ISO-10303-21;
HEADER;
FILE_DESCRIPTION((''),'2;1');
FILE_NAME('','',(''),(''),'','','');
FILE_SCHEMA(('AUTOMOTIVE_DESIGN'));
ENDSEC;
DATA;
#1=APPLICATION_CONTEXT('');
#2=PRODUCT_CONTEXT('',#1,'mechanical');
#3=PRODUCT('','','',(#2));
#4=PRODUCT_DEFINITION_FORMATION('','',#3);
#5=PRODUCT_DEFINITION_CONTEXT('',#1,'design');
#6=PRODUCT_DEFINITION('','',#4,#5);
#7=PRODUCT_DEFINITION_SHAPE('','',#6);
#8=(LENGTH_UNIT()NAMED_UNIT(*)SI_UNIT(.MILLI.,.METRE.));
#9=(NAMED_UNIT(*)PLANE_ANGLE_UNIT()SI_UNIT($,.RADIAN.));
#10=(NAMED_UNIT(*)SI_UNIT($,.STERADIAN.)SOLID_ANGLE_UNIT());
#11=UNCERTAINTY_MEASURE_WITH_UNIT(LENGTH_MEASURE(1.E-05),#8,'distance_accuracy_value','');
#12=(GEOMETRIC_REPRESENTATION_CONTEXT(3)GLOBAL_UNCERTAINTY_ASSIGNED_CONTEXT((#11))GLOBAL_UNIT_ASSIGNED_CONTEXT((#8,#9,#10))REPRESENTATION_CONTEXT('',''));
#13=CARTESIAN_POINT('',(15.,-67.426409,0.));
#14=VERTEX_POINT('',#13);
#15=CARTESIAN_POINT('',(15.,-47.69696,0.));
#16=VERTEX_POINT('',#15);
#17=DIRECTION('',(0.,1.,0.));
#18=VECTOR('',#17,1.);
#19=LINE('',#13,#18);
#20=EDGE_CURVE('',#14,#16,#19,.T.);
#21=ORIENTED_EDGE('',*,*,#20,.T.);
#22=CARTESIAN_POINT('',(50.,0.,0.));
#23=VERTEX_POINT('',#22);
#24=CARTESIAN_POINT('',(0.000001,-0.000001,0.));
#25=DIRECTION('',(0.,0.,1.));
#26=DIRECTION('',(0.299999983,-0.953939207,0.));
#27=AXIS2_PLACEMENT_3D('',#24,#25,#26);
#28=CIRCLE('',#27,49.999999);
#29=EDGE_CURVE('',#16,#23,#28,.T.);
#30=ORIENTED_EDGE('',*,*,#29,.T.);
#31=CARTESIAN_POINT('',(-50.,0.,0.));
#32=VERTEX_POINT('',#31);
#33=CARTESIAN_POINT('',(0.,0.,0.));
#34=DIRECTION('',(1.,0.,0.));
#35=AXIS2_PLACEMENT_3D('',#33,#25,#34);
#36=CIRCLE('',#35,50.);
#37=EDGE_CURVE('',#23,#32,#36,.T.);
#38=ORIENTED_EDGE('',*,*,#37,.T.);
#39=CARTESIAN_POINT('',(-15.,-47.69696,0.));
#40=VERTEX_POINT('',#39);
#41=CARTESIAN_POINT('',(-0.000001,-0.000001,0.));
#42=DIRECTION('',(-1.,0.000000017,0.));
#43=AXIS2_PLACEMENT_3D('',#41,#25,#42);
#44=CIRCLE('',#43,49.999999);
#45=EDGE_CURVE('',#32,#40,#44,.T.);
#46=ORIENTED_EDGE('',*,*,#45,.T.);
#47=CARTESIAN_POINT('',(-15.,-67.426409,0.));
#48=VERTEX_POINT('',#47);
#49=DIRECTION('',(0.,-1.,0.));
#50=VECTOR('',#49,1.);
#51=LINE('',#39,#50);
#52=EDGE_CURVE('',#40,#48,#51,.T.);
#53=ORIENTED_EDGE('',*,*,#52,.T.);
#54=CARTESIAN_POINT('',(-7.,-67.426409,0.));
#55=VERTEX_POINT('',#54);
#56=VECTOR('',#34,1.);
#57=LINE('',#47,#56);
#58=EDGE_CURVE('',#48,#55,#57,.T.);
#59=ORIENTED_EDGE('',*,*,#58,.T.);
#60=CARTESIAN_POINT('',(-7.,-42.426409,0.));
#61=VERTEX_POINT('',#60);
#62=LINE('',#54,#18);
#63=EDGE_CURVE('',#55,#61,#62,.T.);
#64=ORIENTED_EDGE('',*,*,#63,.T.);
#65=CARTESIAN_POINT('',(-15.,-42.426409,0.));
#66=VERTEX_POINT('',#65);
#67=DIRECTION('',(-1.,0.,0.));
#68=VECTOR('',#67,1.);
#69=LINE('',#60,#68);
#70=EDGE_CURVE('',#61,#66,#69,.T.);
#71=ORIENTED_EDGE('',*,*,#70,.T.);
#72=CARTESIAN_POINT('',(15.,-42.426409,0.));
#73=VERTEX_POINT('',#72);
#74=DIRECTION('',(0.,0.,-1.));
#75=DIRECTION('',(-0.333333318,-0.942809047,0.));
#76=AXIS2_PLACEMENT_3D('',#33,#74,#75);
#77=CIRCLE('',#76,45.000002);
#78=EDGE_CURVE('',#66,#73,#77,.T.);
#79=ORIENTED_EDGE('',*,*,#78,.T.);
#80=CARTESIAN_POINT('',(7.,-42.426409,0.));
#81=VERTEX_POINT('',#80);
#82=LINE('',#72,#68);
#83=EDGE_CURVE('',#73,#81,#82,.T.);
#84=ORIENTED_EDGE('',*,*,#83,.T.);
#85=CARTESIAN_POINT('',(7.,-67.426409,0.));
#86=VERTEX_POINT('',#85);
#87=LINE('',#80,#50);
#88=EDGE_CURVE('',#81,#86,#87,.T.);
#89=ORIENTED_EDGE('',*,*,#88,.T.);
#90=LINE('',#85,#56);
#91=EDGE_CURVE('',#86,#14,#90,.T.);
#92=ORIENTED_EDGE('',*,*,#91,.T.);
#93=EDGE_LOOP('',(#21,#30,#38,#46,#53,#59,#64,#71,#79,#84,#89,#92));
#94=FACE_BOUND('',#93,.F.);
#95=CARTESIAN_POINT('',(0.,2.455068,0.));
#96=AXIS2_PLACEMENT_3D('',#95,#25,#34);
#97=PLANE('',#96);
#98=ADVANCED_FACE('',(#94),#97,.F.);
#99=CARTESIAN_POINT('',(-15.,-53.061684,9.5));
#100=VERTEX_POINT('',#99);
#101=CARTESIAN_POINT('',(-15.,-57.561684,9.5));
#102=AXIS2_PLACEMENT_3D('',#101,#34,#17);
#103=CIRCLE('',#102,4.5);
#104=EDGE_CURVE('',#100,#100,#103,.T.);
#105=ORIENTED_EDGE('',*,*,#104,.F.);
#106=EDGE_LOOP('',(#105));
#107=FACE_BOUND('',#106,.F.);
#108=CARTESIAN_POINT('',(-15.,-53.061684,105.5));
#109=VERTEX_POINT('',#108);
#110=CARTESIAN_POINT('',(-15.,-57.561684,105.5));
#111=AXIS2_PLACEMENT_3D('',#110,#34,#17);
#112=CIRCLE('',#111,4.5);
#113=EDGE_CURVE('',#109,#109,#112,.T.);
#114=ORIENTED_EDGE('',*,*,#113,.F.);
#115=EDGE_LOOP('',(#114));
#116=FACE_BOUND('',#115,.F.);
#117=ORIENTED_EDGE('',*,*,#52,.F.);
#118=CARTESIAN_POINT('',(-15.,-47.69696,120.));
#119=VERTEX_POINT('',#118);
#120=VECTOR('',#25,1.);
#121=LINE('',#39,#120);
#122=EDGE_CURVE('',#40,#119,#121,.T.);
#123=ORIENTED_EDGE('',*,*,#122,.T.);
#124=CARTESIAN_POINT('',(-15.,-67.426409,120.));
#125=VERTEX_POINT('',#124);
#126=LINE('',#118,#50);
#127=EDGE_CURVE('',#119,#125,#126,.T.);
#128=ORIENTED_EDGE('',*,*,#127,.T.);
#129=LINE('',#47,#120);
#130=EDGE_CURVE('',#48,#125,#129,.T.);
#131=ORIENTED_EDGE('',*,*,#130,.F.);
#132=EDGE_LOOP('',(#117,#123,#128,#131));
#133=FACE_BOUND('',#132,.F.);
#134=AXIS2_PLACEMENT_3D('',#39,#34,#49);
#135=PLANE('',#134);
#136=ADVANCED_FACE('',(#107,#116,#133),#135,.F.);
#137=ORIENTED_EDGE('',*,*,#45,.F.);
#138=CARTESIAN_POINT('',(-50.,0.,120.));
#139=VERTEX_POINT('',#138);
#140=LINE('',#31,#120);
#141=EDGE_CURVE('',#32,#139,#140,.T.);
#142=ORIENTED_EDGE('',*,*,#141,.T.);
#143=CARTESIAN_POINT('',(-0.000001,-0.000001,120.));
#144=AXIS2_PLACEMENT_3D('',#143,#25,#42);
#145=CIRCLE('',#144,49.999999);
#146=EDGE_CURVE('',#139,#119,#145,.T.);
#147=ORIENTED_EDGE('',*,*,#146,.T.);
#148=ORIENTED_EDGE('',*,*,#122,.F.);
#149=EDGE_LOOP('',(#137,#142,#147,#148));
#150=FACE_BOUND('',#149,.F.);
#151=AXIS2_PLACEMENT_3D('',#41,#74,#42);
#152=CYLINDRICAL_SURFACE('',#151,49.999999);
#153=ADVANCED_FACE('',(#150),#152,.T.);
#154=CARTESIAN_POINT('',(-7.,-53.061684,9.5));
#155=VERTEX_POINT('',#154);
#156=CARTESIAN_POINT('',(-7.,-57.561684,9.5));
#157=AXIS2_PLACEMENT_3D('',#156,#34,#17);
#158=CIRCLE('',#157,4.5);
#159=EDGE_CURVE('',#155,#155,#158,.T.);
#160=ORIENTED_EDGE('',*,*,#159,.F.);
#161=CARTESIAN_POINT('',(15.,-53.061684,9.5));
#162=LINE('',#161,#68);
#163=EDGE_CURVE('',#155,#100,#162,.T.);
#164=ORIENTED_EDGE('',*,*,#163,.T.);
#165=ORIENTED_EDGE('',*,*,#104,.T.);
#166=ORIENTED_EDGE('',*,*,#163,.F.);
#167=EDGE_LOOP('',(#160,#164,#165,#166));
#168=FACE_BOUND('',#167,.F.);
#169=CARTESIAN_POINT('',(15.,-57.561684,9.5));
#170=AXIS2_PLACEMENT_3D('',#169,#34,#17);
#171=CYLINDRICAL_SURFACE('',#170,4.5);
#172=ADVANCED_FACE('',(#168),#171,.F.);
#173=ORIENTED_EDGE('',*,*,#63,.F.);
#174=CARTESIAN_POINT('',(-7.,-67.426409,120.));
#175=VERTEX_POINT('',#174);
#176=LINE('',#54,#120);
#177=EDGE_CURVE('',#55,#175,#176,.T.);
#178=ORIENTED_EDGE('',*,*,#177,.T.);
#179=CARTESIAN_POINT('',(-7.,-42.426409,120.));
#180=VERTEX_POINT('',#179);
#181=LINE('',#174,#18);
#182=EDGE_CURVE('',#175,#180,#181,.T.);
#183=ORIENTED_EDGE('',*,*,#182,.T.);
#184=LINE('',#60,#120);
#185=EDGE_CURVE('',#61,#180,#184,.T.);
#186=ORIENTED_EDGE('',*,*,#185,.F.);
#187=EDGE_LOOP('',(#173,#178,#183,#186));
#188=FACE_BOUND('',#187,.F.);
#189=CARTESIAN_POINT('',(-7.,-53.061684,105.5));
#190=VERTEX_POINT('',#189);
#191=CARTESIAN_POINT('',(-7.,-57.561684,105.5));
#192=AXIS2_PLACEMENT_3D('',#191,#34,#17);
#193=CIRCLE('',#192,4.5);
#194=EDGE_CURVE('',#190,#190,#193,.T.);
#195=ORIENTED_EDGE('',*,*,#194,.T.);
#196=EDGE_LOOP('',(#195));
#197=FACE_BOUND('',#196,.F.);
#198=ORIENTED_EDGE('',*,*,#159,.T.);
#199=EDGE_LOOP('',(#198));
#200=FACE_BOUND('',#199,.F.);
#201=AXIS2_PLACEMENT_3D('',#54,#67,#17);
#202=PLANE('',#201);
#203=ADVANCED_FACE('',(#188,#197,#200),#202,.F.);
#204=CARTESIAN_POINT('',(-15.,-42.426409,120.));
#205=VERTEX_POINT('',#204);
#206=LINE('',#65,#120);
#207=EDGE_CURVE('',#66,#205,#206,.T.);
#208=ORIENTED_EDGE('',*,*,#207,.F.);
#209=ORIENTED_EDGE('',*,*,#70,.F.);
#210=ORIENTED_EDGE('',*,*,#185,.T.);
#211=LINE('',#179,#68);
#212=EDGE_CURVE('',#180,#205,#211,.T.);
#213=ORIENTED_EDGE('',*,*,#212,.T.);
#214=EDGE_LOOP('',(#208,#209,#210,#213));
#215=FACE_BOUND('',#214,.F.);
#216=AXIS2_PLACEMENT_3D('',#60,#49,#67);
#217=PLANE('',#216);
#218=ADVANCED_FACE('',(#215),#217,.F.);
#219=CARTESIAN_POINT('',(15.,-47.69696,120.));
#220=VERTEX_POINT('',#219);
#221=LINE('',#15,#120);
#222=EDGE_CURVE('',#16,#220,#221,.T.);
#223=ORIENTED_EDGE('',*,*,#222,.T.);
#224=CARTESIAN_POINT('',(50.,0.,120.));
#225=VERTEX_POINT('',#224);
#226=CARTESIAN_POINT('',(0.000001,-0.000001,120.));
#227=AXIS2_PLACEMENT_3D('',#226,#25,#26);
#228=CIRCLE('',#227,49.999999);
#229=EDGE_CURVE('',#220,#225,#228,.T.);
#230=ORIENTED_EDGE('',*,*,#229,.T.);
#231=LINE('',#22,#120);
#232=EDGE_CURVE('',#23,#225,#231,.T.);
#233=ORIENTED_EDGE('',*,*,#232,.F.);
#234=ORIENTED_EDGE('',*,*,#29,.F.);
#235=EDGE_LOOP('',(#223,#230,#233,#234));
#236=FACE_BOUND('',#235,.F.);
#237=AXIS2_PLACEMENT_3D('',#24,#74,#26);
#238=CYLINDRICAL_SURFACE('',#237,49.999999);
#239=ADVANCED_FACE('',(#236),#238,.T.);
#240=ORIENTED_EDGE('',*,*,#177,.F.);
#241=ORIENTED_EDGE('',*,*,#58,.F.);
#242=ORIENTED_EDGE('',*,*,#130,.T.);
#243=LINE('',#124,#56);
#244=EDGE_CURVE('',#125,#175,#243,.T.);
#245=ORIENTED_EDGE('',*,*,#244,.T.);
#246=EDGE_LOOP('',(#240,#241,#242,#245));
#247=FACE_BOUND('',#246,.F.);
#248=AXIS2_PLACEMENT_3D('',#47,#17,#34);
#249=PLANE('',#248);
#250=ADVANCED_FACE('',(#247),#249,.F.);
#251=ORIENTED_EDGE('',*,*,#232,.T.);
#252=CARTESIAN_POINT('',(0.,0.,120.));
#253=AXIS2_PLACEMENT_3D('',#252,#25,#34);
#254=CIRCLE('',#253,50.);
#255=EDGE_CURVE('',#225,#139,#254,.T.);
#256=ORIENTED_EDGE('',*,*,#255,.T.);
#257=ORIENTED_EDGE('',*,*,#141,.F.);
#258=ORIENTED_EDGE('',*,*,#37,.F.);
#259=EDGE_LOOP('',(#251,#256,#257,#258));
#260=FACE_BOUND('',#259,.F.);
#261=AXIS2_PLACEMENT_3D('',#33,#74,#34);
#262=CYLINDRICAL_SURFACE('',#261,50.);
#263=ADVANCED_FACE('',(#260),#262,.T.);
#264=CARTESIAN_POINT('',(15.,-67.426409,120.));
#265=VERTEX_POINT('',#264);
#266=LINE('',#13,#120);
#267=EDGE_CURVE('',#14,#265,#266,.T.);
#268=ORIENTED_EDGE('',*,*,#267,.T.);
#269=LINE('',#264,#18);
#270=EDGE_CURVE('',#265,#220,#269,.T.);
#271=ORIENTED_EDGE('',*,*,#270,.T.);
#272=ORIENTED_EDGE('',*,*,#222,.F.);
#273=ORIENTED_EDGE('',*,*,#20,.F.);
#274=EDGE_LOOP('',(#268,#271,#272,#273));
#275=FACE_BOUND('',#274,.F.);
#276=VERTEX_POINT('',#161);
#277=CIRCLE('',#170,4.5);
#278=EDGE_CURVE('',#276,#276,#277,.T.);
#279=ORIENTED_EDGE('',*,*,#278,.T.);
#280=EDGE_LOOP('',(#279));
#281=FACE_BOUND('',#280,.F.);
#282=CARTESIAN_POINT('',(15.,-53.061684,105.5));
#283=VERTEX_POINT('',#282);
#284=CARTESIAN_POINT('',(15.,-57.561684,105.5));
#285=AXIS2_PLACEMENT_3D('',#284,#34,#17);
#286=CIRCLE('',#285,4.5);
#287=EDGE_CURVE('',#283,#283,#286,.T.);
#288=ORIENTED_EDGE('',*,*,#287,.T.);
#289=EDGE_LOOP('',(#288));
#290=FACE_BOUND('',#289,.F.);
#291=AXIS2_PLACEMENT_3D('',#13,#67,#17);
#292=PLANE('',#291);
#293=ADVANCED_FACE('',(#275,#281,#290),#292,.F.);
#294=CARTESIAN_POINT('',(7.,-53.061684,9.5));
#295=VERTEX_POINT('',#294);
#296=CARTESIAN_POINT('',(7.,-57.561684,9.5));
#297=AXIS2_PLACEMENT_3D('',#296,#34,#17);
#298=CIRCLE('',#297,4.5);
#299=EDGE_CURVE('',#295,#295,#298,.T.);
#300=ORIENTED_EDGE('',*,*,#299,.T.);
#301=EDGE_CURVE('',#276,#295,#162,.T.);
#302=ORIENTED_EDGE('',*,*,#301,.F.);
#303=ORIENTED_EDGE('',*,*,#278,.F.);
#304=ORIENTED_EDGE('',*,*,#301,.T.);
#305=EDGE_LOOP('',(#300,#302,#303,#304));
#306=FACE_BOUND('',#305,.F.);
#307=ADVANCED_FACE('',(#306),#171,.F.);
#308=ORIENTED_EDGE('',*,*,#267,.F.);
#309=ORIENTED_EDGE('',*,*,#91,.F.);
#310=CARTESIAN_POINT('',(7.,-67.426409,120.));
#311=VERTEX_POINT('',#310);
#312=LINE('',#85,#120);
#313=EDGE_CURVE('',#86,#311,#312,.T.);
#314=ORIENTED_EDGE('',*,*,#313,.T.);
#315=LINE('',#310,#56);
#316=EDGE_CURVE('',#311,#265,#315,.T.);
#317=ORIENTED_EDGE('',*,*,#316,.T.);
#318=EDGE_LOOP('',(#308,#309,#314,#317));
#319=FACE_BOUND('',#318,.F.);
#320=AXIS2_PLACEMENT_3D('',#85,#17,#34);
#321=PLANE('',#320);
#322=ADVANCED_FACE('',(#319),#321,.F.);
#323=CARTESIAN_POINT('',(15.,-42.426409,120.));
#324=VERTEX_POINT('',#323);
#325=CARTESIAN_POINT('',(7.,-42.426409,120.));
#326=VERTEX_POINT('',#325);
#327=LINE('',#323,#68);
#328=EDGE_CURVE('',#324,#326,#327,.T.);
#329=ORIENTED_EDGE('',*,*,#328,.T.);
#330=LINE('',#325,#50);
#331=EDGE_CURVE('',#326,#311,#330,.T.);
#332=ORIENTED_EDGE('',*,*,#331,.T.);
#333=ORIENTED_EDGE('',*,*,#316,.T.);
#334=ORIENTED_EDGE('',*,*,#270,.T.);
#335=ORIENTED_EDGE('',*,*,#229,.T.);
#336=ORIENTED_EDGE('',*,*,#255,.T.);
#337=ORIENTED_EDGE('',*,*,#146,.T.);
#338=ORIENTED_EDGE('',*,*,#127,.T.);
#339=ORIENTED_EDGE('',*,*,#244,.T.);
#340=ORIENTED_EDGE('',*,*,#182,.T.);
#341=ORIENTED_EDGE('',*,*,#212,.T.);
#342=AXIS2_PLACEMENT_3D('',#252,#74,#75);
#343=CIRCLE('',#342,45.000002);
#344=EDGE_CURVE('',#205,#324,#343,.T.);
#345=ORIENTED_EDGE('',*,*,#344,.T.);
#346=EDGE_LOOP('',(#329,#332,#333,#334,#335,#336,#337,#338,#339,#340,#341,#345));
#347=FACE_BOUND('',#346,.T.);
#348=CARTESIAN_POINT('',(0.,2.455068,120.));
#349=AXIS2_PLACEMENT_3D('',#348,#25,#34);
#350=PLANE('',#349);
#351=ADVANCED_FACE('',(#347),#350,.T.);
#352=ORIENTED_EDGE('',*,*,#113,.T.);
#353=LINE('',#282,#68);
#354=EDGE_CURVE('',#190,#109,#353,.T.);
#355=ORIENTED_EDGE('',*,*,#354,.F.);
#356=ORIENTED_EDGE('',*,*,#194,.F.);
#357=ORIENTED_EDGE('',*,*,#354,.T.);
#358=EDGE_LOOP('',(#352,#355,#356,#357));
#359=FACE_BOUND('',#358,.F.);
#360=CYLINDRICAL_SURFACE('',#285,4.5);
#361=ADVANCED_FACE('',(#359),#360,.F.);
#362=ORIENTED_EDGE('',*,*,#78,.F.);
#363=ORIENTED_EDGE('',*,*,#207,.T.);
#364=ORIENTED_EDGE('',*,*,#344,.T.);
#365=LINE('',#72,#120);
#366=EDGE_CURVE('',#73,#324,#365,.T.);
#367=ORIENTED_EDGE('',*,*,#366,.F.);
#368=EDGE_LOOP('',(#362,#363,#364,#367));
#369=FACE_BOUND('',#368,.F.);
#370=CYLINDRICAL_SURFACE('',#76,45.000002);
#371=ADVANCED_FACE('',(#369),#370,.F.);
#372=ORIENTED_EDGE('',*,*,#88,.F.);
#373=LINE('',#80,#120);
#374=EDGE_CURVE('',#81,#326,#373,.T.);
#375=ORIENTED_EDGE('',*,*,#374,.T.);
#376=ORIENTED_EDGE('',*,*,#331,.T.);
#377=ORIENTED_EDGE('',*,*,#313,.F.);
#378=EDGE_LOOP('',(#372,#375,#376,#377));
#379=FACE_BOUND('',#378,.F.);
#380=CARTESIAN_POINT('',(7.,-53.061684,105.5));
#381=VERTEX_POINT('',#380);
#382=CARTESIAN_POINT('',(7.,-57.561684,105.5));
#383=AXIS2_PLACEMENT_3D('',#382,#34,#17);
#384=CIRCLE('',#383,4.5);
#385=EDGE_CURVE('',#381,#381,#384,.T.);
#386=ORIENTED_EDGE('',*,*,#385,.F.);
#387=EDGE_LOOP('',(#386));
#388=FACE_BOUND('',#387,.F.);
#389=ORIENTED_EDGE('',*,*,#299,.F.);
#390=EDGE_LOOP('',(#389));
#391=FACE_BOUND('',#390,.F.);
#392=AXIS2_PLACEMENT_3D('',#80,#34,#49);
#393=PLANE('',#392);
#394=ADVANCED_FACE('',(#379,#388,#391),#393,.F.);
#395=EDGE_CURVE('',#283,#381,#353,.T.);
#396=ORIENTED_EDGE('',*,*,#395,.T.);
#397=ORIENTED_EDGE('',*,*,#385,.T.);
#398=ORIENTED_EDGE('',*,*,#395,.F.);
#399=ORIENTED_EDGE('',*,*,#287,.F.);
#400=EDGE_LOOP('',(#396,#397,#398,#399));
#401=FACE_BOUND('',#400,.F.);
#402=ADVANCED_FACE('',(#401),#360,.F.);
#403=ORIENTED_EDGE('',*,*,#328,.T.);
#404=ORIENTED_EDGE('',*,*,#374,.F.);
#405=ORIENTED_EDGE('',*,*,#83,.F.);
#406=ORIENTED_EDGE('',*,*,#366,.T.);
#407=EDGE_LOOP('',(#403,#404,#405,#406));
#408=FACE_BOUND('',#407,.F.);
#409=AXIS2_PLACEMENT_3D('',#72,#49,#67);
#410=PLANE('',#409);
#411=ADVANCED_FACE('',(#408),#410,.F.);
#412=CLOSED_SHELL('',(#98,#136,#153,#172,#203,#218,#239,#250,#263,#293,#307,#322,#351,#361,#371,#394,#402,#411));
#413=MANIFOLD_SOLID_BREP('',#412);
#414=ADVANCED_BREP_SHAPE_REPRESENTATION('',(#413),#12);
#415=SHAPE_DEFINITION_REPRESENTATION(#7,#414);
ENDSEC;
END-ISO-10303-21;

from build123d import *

# Parameters (mm, degrees)
F1_DEPTH = 120
F2_R     = 4.5
F3_DEPTH = 50


with BuildPart() as f1:
    # F0 (on Top) → F1 (new body)
    with BuildSketch(Plane.XY):
        with BuildLine():
            ThreePointArc((-15, -42.426409), (0, 45.000002), (15, -42.426409))
            Line((15, -42.426409), (15, -47.69696))
            ThreePointArc((15, -47.69696), (40.311289, -29.580399), (50, 0))
            ThreePointArc((50, 0), (0, 50), (-50, 0))
            ThreePointArc((-50, 0), (-40.311289, -29.580399), (-15, -47.69696))
            Line((-15, -47.69696), (-15, -42.426409))
        make_face()
        Polygon((15, -47.69696), (15, -42.426409), (7, -42.426409), (7, -67.426409), (15, -67.426409), align=None)
        Polygon((-7, -42.426409), (-15, -42.426409), (-15, -47.69696), (-15, -67.426409), (-7, -67.426409), align=None)
    extrude(amount=F1_DEPTH)

    # F2 (on face) → F3 (cut)
    with BuildSketch(Plane.YZ.offset(15)):
        with Locations((-57.561684, 105.5)):
            Circle(F2_R)
        with Locations((-57.561684, 9.5)):
            Circle(F2_R)
    extrude(amount=-F3_DEPTH, mode=Mode.SUBTRACT)


solid = f1.part
